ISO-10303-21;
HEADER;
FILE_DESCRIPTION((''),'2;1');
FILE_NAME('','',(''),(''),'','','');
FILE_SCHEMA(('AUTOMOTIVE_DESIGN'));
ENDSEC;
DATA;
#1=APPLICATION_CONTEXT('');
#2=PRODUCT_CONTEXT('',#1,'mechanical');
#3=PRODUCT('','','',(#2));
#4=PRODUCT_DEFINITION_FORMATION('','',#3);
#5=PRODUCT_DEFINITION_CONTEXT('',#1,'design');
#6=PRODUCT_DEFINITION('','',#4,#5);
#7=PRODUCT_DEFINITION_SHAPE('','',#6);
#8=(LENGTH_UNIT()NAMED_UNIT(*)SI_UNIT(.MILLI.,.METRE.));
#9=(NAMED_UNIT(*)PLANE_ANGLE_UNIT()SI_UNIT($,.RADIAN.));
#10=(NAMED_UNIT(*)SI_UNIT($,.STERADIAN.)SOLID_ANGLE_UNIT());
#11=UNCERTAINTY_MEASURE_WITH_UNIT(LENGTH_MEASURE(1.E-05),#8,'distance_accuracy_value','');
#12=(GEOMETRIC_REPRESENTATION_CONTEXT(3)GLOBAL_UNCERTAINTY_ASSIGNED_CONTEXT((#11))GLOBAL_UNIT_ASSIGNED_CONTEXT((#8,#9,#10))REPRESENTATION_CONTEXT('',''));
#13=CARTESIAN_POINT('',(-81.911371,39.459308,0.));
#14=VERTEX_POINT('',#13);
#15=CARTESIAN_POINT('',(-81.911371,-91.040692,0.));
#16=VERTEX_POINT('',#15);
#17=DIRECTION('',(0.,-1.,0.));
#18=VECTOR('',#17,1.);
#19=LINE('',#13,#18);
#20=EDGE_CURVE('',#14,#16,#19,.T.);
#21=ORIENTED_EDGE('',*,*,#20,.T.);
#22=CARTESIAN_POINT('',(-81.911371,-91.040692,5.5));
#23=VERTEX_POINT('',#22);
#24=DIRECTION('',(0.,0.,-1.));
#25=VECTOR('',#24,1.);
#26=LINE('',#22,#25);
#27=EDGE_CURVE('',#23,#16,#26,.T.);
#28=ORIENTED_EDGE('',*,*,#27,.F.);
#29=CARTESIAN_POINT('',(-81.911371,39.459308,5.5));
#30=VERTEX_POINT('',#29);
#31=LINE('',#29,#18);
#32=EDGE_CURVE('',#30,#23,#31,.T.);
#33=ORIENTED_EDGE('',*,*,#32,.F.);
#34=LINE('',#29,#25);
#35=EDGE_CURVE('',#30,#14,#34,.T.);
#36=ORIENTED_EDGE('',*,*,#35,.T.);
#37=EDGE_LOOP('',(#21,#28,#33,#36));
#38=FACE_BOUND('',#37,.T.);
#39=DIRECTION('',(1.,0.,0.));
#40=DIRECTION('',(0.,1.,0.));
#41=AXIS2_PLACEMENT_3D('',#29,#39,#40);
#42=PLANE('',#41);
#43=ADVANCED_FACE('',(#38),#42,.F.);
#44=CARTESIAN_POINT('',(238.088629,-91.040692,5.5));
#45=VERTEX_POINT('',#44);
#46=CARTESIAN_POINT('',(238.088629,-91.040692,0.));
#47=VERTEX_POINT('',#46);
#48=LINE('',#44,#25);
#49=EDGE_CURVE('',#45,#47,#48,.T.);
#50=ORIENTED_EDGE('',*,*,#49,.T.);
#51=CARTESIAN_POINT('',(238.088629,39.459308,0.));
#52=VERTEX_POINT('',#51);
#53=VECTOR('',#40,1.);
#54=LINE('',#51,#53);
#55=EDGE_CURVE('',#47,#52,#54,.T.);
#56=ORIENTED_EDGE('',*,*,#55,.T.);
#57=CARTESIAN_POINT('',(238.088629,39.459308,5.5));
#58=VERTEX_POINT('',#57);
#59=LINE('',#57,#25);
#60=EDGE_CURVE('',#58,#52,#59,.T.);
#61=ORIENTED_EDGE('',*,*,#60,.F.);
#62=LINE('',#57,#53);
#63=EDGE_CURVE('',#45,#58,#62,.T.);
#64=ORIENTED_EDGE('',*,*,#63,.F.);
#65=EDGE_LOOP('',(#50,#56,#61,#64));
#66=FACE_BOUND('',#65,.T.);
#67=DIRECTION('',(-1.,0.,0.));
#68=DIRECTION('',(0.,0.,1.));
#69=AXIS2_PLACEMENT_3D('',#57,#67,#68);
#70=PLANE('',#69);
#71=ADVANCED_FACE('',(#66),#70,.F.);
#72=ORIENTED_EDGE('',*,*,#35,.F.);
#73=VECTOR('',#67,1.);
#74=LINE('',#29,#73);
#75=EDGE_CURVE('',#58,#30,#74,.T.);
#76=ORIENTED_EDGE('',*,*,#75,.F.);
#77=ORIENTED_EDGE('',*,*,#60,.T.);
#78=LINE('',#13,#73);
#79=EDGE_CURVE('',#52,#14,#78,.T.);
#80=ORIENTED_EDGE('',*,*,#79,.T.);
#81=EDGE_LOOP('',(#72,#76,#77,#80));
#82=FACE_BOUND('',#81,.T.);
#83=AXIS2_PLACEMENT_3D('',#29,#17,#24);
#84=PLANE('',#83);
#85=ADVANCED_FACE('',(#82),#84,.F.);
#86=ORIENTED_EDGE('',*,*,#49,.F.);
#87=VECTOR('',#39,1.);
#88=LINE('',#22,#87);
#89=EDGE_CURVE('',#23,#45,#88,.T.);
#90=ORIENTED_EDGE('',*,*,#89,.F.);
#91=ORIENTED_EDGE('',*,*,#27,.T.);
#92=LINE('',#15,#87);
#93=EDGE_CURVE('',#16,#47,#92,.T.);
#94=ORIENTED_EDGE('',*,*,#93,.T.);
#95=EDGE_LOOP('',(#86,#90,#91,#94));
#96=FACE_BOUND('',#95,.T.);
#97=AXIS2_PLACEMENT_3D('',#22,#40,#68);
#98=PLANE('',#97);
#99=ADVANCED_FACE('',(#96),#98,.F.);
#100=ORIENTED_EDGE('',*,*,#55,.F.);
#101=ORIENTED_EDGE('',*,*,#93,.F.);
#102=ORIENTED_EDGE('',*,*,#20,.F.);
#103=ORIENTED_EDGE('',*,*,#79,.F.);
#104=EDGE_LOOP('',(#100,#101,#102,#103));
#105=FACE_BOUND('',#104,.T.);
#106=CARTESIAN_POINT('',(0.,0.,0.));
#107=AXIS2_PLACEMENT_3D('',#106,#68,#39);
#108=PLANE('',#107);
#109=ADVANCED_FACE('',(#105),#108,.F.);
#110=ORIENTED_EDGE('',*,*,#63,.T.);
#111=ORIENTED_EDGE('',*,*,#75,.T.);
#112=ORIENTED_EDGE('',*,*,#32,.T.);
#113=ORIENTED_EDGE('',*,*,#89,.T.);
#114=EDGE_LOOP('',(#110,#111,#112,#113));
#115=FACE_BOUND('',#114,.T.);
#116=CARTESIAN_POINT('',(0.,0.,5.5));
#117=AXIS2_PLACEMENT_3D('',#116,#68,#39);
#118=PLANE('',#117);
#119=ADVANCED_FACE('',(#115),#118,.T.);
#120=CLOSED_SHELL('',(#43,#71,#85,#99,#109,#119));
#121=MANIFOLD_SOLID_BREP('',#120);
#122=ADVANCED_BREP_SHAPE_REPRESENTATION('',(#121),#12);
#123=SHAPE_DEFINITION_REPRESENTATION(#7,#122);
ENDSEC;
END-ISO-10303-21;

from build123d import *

# Parameters (mm, degrees)
CROQUIS1_W              = 320
CROQUIS1_H              = 130.5
SALIENTE_EXTRUIR1_DEPTH = 5.5


with BuildPart() as part:
    # Croquis1 → Saliente-Extruir1 (new body)
    with BuildSketch(Plane.XY):
        with Locations((78.088629402, -25.790692395)):
            Rectangle(CROQUIS1_W, CROQUIS1_H)
    extrude(amount=SALIENTE_EXTRUIR1_DEPTH)


solid = part.part
